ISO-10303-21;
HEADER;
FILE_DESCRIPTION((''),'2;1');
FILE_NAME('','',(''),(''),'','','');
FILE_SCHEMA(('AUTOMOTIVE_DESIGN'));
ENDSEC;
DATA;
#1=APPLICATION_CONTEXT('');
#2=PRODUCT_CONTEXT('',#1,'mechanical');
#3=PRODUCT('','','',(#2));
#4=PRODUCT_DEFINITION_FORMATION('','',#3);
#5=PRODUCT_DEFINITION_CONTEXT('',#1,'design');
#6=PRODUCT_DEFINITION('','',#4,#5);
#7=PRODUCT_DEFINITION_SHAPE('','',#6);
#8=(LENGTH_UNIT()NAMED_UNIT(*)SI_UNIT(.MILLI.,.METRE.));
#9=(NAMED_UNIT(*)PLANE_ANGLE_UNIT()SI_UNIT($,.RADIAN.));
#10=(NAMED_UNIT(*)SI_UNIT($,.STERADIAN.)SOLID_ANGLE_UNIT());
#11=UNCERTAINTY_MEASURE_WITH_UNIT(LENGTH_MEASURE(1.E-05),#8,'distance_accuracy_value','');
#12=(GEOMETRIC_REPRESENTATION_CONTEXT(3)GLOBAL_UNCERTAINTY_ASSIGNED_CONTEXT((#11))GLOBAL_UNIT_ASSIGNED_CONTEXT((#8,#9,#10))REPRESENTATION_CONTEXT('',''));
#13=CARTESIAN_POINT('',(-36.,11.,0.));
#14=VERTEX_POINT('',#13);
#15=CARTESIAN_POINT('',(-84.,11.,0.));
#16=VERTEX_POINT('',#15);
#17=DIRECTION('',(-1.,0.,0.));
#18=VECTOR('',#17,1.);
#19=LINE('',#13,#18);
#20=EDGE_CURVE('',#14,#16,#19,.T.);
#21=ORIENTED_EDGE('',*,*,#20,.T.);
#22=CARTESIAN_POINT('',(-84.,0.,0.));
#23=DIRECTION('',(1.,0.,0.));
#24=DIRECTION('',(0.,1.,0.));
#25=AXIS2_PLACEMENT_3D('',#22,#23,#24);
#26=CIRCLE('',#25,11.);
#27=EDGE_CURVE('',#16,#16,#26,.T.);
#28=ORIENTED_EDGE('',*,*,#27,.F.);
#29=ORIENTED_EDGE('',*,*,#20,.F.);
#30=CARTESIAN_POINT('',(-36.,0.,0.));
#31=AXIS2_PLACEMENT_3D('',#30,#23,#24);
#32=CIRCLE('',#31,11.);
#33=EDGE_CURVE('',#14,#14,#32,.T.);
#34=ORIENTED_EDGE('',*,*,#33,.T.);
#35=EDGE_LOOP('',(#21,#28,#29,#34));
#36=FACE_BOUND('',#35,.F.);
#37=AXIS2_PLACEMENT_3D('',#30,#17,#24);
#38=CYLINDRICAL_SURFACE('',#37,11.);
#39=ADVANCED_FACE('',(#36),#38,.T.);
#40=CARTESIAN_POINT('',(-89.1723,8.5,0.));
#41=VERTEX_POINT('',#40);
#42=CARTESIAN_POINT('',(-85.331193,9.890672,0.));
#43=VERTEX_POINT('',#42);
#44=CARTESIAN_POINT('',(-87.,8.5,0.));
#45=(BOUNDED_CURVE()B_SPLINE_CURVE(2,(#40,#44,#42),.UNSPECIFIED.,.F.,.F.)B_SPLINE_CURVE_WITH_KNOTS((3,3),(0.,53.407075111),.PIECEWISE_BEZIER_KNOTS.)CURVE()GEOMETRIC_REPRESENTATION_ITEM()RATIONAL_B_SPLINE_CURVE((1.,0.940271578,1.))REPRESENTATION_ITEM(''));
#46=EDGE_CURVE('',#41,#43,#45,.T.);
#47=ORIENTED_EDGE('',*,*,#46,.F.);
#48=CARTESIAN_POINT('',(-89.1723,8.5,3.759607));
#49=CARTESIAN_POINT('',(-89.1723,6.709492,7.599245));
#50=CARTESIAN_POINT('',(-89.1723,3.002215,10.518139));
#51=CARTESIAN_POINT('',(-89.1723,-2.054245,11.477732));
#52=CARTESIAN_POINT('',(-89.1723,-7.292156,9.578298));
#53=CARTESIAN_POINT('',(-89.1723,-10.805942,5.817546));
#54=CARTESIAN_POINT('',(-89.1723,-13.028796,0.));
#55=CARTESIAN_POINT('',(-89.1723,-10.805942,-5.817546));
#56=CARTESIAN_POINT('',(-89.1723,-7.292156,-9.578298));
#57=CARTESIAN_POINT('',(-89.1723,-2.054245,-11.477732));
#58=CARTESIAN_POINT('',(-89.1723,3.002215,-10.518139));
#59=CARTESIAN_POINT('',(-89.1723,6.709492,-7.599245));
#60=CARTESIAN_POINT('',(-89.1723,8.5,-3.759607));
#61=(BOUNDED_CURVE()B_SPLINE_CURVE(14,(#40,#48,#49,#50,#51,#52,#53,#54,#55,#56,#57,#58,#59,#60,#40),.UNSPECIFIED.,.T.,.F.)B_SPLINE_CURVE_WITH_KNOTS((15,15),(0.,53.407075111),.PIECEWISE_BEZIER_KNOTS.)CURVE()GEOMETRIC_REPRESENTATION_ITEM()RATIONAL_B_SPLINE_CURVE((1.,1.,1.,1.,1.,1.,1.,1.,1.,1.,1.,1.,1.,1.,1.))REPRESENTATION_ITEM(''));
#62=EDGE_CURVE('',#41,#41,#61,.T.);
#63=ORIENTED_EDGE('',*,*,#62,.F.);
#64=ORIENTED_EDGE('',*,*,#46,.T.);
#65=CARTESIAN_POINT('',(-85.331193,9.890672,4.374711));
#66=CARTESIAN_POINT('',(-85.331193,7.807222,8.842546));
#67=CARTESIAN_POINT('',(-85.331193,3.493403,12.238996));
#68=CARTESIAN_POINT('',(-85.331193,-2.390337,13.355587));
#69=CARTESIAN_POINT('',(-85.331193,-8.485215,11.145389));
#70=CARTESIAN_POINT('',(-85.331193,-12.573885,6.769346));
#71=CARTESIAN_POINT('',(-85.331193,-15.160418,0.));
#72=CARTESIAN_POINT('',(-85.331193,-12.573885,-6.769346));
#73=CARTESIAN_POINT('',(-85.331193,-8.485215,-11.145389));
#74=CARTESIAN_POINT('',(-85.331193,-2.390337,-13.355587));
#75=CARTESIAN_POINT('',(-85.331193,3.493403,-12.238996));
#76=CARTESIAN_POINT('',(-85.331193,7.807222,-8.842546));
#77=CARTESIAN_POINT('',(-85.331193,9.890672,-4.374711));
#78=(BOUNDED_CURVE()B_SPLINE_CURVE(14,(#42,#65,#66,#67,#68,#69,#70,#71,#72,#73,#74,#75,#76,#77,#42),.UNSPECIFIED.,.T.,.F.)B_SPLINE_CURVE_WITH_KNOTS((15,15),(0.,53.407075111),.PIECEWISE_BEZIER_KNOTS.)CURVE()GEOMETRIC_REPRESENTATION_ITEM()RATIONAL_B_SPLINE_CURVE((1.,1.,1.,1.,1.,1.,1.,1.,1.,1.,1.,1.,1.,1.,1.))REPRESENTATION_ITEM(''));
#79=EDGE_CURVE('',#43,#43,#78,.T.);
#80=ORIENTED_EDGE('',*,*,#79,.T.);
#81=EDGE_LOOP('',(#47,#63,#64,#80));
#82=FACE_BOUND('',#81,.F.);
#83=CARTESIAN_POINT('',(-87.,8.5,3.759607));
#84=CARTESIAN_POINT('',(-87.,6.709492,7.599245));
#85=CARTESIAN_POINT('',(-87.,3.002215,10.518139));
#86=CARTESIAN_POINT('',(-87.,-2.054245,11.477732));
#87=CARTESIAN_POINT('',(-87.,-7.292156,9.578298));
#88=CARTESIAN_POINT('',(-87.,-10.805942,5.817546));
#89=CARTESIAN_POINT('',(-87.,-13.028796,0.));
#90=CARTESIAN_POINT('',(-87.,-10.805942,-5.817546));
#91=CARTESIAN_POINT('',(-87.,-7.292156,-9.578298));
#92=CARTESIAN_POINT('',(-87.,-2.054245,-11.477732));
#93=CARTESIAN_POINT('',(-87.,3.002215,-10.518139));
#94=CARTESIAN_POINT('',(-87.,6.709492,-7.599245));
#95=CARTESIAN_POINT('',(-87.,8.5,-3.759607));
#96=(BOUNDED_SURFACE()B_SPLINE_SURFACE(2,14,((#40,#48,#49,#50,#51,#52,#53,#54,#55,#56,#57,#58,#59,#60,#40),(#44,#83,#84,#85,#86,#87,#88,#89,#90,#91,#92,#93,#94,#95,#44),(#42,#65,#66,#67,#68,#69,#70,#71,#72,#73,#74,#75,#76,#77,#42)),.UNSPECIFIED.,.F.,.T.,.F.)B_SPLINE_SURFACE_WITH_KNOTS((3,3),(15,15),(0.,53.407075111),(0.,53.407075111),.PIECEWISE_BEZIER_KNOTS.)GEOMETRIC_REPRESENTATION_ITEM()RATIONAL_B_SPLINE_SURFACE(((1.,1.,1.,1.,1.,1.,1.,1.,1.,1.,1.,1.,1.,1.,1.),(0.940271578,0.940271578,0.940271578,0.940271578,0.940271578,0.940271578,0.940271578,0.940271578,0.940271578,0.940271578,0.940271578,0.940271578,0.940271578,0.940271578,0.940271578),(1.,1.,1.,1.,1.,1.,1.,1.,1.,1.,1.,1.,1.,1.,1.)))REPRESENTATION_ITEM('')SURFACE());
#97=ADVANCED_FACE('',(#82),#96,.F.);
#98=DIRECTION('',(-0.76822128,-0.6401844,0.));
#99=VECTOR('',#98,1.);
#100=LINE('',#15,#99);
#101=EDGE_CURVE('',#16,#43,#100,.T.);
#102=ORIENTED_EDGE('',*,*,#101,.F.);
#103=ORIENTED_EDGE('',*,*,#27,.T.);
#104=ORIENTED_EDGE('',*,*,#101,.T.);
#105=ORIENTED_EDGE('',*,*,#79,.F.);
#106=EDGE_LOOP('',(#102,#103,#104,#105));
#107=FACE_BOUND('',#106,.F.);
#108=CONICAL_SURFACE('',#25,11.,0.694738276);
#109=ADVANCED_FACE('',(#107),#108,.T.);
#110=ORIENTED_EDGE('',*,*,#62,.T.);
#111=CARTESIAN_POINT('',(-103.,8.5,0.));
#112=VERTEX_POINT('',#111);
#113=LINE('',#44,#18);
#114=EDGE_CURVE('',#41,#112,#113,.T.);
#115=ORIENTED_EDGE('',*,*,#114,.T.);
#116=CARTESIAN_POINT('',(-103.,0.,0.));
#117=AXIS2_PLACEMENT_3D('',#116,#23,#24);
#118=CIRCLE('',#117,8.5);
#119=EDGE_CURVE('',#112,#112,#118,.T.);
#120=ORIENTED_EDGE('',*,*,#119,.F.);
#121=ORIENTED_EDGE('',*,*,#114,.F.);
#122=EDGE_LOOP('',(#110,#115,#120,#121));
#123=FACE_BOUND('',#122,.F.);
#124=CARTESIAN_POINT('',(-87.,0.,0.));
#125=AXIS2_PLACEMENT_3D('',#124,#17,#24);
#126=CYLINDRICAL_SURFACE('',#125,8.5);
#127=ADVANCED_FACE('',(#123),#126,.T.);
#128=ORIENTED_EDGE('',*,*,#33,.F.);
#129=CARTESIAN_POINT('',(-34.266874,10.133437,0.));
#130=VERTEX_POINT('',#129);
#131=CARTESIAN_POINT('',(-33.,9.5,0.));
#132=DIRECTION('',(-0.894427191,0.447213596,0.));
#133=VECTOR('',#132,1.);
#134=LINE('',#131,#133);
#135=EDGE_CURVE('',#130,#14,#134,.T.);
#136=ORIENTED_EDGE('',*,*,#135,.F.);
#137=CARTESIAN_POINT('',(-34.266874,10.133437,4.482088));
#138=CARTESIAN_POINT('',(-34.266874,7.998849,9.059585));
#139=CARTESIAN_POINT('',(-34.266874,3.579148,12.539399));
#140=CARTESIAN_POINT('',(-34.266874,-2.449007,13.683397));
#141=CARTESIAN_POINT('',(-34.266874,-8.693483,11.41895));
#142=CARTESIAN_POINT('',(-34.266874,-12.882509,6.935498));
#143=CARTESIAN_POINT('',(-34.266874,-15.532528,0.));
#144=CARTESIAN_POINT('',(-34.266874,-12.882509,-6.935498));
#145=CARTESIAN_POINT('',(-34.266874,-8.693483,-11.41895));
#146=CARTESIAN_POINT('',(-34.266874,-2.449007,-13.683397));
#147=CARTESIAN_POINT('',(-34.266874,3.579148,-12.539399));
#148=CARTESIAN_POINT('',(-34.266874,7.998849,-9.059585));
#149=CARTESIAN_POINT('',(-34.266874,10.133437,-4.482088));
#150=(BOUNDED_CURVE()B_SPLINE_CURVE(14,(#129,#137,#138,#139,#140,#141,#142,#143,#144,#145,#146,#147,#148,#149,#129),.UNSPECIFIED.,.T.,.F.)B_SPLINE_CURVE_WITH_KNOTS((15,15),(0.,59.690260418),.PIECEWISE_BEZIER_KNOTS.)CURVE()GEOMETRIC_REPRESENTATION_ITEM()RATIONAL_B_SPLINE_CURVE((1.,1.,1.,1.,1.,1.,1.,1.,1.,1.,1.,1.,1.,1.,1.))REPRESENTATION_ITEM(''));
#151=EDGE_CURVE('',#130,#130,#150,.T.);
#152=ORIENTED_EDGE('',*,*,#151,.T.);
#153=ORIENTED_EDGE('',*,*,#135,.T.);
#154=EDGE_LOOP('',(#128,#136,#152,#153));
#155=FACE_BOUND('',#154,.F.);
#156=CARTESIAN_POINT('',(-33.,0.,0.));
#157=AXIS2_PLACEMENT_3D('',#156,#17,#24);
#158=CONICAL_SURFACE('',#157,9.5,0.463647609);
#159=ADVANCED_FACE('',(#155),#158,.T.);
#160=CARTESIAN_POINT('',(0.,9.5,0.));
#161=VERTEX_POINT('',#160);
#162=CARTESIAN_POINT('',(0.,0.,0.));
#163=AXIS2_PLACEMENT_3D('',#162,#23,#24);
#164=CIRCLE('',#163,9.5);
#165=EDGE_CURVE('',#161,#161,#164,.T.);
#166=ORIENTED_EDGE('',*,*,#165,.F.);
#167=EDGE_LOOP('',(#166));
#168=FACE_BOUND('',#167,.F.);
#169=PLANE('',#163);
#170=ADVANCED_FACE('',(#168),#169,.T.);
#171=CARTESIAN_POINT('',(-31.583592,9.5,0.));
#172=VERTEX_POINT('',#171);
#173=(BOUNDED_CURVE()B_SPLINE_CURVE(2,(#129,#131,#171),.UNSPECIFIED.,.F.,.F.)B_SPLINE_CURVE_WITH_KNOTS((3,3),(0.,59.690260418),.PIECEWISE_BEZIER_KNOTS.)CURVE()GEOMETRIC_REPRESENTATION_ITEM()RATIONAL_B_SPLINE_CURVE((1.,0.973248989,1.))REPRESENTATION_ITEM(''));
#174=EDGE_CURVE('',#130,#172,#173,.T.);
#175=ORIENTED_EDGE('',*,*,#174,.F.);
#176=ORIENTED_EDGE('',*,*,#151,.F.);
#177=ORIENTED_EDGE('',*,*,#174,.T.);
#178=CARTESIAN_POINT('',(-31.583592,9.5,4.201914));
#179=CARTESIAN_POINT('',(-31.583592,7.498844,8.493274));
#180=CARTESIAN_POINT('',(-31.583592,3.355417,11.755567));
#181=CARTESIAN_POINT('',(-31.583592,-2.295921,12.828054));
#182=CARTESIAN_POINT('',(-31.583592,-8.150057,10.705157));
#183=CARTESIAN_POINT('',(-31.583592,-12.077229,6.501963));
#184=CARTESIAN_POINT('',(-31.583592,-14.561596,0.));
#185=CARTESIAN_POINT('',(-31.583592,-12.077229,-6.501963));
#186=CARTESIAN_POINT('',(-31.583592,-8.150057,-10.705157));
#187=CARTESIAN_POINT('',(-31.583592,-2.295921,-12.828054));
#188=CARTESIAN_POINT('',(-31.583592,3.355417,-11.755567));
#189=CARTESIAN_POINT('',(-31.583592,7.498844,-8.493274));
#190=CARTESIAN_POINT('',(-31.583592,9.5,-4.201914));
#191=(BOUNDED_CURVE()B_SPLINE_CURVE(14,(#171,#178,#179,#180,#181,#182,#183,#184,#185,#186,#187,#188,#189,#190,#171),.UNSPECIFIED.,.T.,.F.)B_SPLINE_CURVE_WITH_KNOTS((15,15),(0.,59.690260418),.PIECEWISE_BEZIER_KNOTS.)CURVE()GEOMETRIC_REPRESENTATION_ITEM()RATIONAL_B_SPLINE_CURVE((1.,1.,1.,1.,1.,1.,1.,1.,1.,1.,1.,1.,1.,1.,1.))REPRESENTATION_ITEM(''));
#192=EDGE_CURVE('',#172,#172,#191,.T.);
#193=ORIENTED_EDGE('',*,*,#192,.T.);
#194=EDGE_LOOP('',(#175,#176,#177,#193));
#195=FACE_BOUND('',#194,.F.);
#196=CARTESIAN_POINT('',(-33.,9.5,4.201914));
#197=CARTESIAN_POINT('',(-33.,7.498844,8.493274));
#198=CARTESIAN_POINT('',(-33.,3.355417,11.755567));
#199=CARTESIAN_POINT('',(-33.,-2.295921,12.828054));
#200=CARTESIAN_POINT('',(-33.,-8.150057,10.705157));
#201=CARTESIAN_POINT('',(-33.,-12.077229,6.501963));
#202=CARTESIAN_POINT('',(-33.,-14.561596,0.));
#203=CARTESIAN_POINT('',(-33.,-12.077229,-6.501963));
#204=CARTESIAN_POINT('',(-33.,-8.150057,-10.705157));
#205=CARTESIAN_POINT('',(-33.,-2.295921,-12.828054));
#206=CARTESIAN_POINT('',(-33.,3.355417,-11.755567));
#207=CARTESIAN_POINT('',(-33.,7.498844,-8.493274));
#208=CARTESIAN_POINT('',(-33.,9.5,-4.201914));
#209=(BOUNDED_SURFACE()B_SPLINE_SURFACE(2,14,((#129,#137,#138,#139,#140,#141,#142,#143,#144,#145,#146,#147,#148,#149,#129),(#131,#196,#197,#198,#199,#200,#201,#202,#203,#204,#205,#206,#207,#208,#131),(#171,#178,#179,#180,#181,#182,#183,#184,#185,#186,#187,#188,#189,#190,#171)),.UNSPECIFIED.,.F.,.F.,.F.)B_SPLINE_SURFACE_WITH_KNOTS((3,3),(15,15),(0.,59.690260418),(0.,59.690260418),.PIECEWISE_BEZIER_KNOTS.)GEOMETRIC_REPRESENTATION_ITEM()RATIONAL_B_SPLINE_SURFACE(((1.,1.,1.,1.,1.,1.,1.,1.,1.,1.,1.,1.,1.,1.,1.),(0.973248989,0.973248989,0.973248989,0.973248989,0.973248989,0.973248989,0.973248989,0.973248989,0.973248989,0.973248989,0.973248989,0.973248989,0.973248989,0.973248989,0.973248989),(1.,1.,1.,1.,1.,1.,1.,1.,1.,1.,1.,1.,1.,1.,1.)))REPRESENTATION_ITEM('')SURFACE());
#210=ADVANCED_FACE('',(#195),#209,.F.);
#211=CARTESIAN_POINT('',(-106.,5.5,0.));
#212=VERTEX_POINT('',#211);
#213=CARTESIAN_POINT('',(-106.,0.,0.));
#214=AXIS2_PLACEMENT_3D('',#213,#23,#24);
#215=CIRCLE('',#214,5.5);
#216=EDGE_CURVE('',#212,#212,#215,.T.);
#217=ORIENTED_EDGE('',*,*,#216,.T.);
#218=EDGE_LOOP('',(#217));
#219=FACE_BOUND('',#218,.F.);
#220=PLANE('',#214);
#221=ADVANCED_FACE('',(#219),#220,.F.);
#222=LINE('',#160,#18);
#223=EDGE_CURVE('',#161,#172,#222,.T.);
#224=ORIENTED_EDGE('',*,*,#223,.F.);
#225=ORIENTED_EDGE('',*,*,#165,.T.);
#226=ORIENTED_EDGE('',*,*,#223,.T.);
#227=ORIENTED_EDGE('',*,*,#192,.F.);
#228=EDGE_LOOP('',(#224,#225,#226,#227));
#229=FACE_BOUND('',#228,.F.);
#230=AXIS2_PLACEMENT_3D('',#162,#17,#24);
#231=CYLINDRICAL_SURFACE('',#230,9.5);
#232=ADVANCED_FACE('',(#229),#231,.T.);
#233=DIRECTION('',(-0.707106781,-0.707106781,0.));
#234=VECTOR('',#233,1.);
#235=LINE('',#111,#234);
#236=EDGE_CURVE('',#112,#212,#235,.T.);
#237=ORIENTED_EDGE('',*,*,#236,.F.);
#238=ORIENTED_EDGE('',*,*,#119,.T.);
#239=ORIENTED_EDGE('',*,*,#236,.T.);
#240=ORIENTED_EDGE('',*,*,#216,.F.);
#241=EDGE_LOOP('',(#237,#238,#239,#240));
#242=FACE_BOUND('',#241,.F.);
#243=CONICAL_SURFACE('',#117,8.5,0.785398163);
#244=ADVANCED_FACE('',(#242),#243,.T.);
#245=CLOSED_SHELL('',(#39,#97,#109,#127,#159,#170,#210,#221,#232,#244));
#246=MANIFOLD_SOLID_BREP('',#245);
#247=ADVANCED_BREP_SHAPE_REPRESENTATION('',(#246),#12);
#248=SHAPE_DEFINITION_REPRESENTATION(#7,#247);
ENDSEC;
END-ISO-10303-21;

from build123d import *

# Parameters (mm, degrees)
F2_SIZE = 3
F3_R    = 6


with BuildPart() as f1:
    # F0 (on Top) → F1 (revolve)
    with BuildSketch(Plane.XY):
        Polygon((-106, 0), (0, 0), (0, 9.5), (-33, 9.5), (-36, 11), (-84, 11), (-87, 8.5), (-106, 8.5), align=None)
    revolve(axis=Axis((-53, 0, 0), (1, 0, 0)))

    # F2
    f2_edges = [f1.edges().sort_by_distance(p)[0] for p in [
        (-106, -8.5, 0),
    ]]
    chamfer(f2_edges, length=F2_SIZE)

    # F3
    f3_edges = [f1.edges().sort_by_distance(p)[0] for p in [
        (-87, -8.5, 0),
        (-33, -9.5, 0),
    ]]
    fillet(f3_edges, radius=F3_R)


solid = f1.part
